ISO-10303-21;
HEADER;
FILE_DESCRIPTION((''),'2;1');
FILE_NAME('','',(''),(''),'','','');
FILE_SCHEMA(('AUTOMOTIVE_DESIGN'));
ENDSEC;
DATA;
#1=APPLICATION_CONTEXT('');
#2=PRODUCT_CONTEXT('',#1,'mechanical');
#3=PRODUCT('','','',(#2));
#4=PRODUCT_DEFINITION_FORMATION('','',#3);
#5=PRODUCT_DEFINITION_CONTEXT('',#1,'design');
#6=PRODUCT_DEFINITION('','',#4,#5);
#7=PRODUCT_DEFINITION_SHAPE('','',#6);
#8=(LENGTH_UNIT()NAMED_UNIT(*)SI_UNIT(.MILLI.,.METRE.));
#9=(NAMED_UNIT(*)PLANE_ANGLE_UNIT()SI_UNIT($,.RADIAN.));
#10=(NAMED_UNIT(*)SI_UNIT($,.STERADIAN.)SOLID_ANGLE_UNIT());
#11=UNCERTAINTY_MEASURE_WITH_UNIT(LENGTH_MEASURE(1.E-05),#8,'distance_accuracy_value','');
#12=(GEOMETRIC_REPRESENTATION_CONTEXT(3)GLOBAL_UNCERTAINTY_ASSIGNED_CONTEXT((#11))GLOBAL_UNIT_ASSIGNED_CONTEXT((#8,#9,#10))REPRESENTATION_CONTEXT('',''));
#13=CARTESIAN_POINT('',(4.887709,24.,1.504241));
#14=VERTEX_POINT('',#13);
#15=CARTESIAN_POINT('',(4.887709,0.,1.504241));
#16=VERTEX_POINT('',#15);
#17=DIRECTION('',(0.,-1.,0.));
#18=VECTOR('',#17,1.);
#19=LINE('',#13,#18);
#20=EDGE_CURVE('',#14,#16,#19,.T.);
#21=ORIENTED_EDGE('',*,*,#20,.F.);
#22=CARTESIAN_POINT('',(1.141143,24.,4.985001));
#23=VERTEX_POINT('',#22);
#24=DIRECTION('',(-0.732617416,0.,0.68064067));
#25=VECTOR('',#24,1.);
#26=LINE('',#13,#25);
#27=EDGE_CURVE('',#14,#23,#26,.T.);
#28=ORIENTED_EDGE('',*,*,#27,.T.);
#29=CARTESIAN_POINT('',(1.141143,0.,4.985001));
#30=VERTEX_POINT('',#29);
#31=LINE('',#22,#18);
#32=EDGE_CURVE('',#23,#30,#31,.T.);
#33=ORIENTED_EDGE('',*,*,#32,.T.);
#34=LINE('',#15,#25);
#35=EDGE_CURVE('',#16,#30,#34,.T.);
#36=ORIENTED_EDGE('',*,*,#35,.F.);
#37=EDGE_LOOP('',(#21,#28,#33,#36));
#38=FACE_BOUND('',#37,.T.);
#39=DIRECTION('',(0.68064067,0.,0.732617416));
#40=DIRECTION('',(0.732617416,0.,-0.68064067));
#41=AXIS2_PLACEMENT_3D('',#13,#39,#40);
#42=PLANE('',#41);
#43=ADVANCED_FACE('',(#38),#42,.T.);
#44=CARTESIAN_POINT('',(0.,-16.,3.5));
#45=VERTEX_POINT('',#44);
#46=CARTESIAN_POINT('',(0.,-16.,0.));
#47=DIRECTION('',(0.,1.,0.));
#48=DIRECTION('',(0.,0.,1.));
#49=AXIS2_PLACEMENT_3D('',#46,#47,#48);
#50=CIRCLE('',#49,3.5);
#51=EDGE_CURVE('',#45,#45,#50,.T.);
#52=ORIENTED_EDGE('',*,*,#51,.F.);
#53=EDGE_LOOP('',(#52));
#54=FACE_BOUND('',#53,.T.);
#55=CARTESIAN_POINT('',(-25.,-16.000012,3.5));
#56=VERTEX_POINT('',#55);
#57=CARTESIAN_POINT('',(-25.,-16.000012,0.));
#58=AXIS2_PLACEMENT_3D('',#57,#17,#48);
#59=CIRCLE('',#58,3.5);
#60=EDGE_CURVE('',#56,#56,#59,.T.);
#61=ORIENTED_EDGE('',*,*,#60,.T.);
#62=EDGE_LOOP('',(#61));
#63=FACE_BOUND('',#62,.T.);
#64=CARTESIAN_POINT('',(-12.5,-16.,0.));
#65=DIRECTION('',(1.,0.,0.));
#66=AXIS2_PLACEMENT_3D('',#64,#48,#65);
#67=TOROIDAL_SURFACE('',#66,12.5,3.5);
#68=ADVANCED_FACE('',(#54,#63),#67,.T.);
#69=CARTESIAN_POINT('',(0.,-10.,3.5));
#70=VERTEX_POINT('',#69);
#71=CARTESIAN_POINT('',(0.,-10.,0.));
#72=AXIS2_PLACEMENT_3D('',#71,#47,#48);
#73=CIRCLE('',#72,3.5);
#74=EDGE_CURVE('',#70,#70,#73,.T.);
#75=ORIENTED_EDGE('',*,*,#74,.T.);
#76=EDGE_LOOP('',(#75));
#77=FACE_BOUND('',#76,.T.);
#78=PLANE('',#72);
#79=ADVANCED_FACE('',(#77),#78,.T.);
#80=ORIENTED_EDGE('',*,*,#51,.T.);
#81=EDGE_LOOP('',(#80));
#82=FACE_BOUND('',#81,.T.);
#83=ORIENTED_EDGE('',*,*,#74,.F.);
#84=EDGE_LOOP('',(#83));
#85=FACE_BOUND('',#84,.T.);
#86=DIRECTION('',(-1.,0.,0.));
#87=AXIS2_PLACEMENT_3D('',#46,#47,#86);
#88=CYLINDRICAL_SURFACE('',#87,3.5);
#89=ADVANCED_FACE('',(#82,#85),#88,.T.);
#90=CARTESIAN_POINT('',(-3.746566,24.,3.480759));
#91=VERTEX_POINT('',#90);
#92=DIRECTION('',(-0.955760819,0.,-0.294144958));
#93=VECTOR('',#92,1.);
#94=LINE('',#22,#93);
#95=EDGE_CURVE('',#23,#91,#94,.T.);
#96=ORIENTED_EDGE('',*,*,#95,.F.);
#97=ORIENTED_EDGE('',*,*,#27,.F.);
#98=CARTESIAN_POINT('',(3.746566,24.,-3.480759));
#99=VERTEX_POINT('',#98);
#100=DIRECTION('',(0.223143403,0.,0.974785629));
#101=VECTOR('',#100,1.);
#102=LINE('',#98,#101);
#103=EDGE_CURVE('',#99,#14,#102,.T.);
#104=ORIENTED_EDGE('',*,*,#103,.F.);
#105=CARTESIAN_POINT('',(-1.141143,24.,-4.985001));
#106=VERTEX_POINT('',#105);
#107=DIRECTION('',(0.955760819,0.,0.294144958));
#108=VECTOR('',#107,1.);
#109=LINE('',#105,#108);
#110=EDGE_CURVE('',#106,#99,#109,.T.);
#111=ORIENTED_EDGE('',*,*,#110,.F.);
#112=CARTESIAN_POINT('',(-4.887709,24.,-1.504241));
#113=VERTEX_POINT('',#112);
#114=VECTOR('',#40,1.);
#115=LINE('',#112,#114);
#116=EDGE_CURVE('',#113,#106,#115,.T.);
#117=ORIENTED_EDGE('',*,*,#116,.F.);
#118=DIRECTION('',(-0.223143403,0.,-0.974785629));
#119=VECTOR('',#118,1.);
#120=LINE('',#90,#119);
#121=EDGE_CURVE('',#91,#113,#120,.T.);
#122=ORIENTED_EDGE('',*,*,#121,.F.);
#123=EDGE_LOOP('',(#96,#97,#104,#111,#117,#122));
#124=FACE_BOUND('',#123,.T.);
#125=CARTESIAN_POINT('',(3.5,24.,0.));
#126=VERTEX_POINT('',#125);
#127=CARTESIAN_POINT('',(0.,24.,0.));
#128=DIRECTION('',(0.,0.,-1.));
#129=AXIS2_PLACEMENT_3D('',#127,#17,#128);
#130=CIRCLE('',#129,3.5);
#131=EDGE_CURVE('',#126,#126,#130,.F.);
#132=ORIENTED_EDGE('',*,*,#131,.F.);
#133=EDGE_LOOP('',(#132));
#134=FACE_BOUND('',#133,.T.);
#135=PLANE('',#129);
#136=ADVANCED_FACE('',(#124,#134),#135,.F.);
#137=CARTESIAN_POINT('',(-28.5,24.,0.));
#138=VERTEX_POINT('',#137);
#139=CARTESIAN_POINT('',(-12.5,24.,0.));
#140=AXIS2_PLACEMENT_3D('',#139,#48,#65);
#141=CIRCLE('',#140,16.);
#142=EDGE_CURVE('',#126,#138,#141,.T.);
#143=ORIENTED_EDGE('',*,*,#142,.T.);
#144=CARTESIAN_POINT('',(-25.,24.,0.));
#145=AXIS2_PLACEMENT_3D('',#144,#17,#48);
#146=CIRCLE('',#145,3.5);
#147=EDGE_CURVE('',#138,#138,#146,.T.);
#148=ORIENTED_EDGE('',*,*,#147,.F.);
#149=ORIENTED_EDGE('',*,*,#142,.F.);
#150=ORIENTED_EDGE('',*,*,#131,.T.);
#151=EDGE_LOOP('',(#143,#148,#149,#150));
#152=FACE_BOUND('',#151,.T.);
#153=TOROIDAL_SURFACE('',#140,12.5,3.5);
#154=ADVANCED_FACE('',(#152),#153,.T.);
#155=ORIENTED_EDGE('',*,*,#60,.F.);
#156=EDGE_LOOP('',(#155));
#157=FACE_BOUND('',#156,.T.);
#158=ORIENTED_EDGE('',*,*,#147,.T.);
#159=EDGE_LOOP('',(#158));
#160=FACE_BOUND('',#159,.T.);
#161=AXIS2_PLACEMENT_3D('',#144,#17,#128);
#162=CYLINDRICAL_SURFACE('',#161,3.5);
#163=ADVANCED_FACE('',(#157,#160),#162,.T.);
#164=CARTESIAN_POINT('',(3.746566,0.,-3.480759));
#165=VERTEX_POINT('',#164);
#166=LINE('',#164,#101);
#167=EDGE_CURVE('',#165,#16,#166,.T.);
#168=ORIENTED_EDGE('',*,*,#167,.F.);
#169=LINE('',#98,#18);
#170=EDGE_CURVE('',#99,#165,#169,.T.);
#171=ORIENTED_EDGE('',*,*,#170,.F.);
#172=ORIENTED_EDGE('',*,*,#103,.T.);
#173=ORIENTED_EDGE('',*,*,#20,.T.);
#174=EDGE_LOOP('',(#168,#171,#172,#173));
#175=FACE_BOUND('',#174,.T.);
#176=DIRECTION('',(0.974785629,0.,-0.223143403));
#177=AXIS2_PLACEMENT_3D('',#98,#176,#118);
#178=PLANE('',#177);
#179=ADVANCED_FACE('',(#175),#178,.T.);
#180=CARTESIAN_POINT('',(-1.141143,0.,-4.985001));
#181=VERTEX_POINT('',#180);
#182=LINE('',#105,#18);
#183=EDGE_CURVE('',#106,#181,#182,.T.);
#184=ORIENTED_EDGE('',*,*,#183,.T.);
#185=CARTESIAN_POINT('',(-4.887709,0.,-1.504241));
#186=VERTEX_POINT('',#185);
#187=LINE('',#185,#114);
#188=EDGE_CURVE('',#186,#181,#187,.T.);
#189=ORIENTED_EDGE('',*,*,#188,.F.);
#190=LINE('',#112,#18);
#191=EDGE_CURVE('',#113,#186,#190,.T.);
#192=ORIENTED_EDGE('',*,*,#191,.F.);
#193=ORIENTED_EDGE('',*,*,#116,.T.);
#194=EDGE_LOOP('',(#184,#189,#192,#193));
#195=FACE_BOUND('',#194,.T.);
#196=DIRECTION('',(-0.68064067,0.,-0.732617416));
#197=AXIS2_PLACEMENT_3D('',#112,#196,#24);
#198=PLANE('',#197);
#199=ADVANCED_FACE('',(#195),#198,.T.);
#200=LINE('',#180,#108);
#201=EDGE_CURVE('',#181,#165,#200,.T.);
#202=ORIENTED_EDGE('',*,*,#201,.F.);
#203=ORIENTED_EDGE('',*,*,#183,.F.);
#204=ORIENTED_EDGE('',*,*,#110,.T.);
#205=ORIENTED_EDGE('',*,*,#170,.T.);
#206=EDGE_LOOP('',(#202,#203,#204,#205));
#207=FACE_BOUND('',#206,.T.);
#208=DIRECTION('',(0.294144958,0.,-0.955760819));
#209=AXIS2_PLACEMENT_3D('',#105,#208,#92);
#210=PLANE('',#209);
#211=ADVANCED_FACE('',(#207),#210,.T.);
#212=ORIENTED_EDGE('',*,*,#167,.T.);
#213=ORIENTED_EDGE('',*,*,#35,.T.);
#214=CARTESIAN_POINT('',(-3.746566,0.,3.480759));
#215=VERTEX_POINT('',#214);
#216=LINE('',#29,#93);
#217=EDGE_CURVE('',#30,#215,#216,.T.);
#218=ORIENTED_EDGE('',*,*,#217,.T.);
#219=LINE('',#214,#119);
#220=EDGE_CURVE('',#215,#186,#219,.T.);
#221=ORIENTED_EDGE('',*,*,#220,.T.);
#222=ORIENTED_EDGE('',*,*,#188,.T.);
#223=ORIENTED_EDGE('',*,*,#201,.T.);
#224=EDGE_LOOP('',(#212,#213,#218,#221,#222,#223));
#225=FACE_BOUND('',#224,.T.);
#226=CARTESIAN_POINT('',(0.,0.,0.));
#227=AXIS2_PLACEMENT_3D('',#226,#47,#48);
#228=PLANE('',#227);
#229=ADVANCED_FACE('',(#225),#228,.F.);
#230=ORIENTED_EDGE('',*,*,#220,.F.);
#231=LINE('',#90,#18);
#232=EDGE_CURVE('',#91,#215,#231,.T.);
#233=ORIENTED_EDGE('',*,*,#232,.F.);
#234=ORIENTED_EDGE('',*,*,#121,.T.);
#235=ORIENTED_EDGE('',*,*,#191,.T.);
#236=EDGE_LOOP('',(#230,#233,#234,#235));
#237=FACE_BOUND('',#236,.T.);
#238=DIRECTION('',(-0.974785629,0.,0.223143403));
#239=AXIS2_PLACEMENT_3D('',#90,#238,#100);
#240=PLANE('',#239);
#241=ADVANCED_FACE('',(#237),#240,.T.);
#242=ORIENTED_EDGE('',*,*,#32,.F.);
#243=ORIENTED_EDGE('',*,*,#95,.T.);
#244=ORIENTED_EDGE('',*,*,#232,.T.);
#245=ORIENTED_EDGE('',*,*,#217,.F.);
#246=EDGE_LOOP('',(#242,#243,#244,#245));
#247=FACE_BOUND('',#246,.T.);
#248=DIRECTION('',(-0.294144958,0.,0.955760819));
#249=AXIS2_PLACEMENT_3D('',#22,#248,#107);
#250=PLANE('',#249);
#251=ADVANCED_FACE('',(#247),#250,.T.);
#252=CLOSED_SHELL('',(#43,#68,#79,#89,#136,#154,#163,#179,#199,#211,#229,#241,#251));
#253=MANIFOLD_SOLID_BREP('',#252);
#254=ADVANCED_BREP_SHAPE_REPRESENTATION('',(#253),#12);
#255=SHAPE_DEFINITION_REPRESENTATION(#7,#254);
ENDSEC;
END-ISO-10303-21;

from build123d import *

# Parameters (mm, degrees)
SKETCH1_R           = 3.5
BOSS_EXTRUDE1_DEPTH = 24


with BuildPart() as part:
    # Sweep1: sweep along a path in Sketch2
    with BuildLine(Plane.XY) as sweep1_path:
        Line((0, 0), (0, 24))
        ThreePointArc((0, 24), (-12.5, 36.5), (-25, 24))
        Line((-25, 24), (-25, -16.000012487))
        ThreePointArc((-25, -16.000012487), (-12.499993756, -28.5), (0, -15.999999999))
        Line((0, -15.999999999), (0, -10))
    # Sketch1 → Sweep1 (sweep)
    with BuildSketch(Plane(origin=(0, 0, 0), x_dir=(1, 0, 0), z_dir=(0, 1, 0))):
        Circle(SKETCH1_R)
    sweep(path=sweep1_path.line)

    # Sketch3 → Boss-Extrude1 (add)
    with BuildSketch(Plane.XZ):
        Polygon((4.887708702, 1.504241274), (1.141143194, 4.985000539), (-3.746565508, 3.480759265), (-4.887708702, -1.504241274), (-1.141143194, -4.985000539), (3.746565508, -3.480759265), align=None)
    extrude(amount=-BOSS_EXTRUDE1_DEPTH)


solid = part.part
